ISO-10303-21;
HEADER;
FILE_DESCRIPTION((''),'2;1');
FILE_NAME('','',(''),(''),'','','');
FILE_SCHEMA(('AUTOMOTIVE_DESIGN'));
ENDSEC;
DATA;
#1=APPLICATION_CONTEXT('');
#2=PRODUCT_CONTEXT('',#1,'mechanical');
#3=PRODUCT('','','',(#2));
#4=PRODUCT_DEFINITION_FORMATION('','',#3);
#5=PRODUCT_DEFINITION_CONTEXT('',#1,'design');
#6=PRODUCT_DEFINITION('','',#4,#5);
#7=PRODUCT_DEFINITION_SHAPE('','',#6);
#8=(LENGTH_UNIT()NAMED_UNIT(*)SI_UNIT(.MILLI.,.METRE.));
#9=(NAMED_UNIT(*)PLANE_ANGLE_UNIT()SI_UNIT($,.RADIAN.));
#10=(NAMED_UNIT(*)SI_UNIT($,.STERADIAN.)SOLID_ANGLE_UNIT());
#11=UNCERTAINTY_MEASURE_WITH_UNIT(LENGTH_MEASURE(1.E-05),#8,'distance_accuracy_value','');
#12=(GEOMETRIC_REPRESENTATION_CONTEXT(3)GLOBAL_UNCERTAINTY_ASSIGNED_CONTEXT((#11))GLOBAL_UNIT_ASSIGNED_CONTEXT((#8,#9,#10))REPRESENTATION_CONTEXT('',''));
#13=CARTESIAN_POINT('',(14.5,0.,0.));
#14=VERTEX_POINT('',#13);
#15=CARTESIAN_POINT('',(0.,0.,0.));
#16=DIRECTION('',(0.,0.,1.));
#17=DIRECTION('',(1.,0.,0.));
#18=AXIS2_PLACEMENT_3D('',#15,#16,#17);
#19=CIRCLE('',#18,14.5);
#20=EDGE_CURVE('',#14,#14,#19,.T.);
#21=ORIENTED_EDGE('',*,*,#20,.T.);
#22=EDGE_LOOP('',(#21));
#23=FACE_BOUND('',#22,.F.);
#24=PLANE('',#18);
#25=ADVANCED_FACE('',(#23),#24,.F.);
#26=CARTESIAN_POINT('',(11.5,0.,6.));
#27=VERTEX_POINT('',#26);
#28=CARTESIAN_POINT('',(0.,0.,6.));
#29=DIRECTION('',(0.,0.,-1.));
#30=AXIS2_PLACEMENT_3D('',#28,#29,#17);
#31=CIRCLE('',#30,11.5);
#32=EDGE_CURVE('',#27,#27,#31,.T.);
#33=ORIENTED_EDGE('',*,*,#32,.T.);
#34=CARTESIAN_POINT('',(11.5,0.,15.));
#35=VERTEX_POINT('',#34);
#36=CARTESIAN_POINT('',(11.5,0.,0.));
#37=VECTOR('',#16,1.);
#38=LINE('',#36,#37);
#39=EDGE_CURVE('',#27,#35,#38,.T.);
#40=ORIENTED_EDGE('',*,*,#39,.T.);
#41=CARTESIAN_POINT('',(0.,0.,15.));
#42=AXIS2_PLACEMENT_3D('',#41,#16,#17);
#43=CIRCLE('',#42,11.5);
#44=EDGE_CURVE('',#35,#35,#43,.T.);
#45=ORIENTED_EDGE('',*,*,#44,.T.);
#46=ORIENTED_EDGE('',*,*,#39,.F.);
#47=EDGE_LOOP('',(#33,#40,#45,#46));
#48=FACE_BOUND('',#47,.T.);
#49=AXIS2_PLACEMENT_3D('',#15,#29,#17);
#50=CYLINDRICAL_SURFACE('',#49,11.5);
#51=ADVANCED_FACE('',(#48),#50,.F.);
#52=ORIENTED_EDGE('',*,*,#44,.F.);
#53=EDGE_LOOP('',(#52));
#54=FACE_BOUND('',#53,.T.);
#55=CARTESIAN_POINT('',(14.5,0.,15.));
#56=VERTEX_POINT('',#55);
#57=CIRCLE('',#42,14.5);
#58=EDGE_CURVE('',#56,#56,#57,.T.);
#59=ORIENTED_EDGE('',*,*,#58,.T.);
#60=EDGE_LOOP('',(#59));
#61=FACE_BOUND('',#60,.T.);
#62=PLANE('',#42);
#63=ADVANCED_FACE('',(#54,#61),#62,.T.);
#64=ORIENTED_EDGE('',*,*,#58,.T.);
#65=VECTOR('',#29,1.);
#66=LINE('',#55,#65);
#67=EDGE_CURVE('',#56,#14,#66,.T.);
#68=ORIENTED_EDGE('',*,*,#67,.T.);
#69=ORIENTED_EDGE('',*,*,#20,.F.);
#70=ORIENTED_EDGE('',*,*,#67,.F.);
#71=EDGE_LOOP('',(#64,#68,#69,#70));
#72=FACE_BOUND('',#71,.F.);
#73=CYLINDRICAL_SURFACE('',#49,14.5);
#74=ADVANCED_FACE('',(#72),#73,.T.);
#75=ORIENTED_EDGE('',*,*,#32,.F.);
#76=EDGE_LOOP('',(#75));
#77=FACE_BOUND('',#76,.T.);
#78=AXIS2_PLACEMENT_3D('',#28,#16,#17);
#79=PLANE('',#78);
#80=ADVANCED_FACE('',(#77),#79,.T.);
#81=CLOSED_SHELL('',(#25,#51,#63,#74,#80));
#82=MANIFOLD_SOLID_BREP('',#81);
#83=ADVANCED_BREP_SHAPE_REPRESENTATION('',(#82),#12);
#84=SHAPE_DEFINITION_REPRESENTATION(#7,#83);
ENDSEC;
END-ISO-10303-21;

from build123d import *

# Parameters (mm, degrees)
SKETCH_R     = 14.5
SKETCH_R_2   = 11.5
PAD_DEPTH    = 15
SKETCH001_R  = 14.5
PAD001_DEPTH = 6


with BuildPart() as part:
    # Sketch → Pad (new body)
    with BuildSketch(Plane.XY):
        Circle(SKETCH_R)
        Circle(SKETCH_R_2, mode=Mode.SUBTRACT)
    extrude(amount=PAD_DEPTH)

    # Sketch001 → Pad001 (join)
    with BuildSketch(Plane.XY):
        Circle(SKETCH001_R)
    extrude(amount=PAD001_DEPTH)


solid = part.part
